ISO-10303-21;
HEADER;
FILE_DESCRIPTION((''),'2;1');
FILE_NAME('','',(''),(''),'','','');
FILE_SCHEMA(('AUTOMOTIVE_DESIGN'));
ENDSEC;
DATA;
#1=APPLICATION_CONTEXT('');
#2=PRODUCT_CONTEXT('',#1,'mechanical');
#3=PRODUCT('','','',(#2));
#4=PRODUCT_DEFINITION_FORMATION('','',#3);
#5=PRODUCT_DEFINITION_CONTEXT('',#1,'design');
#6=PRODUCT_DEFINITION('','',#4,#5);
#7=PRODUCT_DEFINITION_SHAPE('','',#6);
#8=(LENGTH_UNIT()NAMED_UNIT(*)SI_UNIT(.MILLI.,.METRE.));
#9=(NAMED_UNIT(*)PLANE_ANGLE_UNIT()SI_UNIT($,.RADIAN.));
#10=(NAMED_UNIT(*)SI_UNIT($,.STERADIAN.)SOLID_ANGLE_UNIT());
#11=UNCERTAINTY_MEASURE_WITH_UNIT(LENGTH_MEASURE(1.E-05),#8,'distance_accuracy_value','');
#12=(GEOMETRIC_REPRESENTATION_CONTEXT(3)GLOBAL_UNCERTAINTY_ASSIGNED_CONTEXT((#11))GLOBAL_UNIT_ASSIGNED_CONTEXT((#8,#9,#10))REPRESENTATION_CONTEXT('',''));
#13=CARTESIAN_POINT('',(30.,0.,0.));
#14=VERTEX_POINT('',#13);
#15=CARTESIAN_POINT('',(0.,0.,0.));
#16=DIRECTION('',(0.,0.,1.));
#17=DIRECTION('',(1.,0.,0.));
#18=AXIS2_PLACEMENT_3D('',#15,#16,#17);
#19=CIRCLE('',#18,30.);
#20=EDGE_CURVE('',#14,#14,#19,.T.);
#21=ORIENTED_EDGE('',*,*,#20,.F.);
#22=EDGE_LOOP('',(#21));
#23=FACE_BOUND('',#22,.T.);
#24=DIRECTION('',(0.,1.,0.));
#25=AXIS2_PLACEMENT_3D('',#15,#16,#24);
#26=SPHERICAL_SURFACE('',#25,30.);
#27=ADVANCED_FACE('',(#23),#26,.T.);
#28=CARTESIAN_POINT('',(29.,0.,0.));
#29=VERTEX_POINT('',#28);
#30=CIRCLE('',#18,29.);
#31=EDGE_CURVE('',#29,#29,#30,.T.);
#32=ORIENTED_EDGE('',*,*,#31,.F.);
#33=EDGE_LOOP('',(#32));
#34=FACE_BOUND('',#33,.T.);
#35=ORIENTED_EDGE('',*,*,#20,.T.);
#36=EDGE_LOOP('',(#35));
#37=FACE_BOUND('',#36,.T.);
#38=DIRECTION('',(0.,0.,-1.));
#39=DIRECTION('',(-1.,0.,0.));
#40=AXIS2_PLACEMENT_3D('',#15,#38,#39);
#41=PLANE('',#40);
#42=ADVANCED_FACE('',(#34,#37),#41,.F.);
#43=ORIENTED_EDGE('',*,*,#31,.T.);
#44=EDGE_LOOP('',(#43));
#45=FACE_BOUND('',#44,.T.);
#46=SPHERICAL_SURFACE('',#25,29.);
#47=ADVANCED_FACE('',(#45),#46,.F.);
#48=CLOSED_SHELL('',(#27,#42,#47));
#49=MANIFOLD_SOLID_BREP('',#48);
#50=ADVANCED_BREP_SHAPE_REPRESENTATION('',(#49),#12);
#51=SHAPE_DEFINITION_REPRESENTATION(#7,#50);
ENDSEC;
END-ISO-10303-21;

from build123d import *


with BuildPart() as part:
    # Sketch2 → Revolve1 (revolve)
    with BuildSketch(Plane(origin=(0, 0, 0), x_dir=(0, 0, -1), z_dir=(1, 0, 0))):
        with BuildLine():
            ThreePointArc((30, 0), (21.213203436, 21.213203436), (0, 30))
            Line((0, 30), (0, 29))
            ThreePointArc((0, 29), (20.506096654, 20.506096654), (29, 0))
            Line((29, 0), (30, 0))
        make_face()
    revolve(axis=Axis((0, 0, 0), (0, 0, -1)))


solid = part.part
